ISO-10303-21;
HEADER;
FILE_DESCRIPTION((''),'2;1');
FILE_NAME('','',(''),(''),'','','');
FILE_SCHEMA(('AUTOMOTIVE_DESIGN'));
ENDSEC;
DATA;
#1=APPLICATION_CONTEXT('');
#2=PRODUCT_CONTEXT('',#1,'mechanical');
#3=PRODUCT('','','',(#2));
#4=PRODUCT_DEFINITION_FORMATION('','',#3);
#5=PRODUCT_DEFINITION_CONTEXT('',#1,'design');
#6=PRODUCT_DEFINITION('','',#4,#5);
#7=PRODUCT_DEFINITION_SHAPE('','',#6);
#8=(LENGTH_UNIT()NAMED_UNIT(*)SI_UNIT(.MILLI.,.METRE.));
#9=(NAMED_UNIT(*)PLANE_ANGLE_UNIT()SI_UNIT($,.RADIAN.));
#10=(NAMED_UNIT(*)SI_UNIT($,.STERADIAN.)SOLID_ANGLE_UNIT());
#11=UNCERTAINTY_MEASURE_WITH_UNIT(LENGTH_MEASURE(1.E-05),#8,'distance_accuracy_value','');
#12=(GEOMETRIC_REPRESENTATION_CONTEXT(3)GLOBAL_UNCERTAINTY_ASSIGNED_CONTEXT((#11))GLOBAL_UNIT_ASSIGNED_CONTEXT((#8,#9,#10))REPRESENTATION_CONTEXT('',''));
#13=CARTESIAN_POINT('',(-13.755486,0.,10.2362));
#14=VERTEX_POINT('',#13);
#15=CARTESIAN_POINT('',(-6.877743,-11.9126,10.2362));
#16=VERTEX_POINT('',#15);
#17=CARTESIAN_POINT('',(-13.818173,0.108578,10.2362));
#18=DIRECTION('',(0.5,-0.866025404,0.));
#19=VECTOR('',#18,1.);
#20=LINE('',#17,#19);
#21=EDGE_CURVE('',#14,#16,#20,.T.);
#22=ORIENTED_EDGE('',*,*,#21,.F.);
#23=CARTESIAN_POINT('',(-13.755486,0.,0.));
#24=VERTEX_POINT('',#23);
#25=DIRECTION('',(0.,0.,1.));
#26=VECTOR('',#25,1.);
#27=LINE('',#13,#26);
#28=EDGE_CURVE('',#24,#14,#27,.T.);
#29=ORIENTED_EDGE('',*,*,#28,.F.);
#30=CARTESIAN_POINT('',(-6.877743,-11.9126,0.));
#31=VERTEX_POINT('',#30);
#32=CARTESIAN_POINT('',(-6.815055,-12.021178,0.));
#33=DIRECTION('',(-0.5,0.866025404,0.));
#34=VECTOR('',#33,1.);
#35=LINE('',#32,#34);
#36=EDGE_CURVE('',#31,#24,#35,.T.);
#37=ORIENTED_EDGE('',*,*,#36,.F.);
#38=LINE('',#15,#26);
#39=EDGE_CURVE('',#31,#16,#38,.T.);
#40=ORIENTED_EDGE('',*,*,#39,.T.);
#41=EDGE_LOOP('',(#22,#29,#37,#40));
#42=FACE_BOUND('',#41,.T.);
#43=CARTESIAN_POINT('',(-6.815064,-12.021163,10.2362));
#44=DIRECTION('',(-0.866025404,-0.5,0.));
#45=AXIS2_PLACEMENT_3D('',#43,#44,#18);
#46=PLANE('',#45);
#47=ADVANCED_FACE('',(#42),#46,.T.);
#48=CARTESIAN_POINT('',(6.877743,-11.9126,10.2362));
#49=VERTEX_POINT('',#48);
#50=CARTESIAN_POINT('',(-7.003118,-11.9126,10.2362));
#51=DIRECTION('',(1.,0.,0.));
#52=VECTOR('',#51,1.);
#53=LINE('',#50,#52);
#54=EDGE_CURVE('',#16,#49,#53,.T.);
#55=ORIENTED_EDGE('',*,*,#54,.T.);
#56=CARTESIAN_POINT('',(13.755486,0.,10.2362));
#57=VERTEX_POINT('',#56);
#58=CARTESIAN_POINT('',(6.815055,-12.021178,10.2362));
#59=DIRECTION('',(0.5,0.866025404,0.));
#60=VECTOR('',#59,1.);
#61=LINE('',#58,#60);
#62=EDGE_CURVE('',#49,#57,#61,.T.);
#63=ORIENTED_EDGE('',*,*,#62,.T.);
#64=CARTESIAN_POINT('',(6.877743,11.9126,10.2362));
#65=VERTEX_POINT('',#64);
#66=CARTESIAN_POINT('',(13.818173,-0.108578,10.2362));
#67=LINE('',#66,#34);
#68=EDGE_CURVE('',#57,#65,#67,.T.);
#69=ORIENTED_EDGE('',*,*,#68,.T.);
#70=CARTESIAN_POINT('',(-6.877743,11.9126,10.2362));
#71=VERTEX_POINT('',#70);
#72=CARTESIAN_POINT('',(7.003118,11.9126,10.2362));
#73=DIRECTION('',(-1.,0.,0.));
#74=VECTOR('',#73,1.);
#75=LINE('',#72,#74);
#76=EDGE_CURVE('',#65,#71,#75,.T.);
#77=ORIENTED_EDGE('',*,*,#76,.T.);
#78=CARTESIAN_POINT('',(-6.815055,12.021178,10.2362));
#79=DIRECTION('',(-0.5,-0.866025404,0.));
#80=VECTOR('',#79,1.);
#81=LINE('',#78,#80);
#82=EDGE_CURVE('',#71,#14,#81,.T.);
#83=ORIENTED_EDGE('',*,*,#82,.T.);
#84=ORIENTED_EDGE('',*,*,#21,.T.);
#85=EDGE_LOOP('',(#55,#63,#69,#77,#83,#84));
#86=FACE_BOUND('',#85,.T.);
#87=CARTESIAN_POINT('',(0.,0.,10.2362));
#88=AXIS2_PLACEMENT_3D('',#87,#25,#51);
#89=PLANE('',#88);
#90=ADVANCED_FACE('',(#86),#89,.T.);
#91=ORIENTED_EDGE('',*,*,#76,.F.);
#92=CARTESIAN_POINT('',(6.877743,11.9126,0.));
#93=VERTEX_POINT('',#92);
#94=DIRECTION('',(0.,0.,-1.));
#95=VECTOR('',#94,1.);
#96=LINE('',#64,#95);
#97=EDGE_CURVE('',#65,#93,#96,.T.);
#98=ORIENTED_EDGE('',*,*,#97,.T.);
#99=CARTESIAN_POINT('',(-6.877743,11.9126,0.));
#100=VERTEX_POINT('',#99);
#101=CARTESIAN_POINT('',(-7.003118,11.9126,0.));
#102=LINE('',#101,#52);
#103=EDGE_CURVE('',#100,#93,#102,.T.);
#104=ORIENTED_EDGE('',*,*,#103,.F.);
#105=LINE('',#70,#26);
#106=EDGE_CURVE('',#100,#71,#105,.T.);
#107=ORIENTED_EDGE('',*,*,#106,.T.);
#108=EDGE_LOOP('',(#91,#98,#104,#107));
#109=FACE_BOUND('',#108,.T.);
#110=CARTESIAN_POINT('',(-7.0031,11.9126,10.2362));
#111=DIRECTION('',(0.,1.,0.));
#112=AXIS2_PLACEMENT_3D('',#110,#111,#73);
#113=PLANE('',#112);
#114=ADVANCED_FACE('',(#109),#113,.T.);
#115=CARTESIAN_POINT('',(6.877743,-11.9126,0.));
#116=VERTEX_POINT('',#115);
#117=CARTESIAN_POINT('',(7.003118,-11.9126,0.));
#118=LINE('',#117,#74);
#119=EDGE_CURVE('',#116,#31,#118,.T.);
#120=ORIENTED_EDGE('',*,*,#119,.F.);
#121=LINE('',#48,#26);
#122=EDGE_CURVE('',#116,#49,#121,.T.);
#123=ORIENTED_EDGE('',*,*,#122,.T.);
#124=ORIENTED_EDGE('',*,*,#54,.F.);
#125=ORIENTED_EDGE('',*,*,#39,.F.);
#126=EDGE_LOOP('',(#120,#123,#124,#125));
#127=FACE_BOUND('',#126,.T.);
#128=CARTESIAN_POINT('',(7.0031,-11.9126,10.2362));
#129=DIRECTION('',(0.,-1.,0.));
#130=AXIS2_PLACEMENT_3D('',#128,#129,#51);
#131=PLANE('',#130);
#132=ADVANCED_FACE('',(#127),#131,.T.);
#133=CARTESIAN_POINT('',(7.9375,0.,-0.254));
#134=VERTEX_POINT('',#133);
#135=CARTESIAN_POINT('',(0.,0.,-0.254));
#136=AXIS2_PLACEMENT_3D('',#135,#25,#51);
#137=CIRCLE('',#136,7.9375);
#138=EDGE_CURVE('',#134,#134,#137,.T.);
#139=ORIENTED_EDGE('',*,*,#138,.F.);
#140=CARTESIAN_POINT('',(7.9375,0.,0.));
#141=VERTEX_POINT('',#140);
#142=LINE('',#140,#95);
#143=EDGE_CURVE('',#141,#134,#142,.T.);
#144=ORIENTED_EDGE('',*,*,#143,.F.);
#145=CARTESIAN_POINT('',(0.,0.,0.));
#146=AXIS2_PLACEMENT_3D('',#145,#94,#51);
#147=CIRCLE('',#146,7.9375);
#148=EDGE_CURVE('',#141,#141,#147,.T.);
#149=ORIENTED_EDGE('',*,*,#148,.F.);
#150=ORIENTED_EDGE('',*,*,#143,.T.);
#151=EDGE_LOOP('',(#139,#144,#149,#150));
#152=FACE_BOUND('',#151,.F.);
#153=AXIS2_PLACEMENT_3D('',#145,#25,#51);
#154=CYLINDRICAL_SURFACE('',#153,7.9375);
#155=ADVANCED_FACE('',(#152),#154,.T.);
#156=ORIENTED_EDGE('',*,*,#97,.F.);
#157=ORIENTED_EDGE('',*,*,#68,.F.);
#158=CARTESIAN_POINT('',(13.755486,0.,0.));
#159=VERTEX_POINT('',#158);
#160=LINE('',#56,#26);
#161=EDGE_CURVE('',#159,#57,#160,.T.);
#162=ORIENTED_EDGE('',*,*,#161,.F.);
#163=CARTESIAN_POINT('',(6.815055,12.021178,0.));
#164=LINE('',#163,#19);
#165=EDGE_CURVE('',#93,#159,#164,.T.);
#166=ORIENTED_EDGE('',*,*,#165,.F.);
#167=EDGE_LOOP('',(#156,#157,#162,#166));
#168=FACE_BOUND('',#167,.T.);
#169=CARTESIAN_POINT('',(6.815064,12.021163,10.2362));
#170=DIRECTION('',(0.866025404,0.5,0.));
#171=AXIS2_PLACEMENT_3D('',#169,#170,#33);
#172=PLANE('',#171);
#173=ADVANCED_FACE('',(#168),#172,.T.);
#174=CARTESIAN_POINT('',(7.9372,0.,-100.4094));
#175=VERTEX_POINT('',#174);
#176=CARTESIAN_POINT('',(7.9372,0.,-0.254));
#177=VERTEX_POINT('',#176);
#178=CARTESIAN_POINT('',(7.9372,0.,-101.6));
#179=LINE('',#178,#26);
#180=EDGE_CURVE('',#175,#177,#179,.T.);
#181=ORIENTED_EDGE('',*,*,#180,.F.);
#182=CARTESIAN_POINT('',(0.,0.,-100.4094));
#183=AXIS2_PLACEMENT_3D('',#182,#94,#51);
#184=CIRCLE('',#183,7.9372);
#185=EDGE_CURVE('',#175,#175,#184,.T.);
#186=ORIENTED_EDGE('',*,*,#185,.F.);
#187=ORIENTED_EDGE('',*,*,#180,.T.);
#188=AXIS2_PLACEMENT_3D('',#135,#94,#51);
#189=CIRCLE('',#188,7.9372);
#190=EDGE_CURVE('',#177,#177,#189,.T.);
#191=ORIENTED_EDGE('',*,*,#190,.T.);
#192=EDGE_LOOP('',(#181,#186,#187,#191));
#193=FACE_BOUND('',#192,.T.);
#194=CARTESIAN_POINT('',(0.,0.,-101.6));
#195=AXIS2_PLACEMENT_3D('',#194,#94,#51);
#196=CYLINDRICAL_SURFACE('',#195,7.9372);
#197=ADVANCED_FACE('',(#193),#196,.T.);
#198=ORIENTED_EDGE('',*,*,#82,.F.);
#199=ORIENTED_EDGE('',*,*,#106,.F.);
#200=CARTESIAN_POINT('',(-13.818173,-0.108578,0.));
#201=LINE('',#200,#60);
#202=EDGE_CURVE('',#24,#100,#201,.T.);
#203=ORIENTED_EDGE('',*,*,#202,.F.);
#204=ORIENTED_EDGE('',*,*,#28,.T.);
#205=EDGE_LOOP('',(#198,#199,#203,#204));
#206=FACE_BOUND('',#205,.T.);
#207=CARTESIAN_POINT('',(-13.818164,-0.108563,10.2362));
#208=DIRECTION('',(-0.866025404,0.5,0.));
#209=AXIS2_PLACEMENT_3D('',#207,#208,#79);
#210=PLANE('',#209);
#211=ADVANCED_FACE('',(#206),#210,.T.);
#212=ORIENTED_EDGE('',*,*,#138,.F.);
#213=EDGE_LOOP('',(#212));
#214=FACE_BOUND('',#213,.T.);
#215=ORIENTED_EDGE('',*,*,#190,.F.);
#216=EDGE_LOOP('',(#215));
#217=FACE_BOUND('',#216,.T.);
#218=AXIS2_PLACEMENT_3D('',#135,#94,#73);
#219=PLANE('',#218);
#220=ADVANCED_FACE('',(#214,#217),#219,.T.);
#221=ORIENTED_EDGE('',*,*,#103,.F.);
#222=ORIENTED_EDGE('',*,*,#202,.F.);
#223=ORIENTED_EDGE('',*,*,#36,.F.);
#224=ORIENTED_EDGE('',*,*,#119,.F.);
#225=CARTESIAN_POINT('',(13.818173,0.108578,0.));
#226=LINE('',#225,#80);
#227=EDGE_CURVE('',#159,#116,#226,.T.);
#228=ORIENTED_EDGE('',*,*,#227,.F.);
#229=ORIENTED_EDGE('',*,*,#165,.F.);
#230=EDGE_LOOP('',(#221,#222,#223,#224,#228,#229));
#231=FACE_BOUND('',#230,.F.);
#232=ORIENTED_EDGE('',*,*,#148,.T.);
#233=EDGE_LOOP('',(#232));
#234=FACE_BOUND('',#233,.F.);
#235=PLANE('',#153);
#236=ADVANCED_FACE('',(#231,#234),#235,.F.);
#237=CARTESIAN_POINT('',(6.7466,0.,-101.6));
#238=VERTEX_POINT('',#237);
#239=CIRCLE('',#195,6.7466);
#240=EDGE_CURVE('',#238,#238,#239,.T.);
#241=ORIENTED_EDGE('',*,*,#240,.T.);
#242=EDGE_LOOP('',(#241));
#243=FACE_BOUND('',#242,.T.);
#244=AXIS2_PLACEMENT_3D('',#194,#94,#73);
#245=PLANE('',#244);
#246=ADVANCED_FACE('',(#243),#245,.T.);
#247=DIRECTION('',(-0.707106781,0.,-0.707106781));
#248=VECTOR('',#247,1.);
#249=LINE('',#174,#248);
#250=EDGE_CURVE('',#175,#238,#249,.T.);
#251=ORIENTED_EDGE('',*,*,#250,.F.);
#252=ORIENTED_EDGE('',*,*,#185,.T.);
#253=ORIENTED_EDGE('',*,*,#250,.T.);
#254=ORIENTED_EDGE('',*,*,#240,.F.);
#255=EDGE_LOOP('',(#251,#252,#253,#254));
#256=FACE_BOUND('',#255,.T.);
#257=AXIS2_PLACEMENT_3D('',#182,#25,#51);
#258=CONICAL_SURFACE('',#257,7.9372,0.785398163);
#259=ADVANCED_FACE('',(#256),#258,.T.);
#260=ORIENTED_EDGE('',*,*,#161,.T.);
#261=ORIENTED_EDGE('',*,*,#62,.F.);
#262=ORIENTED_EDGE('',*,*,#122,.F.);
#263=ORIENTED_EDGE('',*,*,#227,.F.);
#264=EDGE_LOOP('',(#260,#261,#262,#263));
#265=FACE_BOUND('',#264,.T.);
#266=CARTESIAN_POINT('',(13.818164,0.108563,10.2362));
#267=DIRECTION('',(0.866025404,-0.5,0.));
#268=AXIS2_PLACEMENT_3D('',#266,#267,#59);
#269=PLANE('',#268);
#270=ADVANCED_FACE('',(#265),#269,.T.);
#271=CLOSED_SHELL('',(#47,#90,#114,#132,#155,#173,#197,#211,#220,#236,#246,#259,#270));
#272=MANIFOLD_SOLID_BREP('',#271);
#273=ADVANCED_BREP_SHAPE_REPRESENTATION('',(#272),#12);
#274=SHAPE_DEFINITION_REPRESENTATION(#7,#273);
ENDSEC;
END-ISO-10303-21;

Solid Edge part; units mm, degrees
sketch "Sketch1" plane through (0, 0, 0) normal (0, 0, 1) x (1, 0, 0)
  circle A0 centre (0, 0) radius 13.8186
  dimension "D1" = 27.6372
extrude "Protrusion1" add sketch "Sketch1" along normal blind 10.2362
sketch "Sketch2" plane through (0, 0, 0) normal (0, 0, -1) x (1, 0, 0)
  circle A0 centre (0, 0) radius 7.9375
extrude "Protrusion2" add sketch "Sketch2" along normal blind 101.6
sketch "Sketch3" plane through (0, 0, -101.6) normal (0, 0, -1) x (1, 0, 0)
  circle A0 centre (0, 0) radius 7.9372
extrude "Cutout1" cut sketch "Sketch3" against normal blind 101.346 flip side to cut
chamfer "Chamfer_1" distance 1.1906 angle 45 1 edges at (-7.9372, 0, -101.6)
sketch "Sketch4" plane through (0, 0, 10.2362) normal (0, 0, 1) x (1, 0, 0)
  line L0 (-7.0031, 11.9126) -> (7.0031, 11.9126)
  dimension "D1" = 23.8252
extrude "Cutout2" cut sketch "Sketch4" against normal up to next material side at (0, 11.9626, 10.2362)
pattern_circular "Pattern1" count 6 over 360 about axis through (0, 0, 10.2362) along (0, 0, 1) of "Cutout2"
properties part number "204569"
